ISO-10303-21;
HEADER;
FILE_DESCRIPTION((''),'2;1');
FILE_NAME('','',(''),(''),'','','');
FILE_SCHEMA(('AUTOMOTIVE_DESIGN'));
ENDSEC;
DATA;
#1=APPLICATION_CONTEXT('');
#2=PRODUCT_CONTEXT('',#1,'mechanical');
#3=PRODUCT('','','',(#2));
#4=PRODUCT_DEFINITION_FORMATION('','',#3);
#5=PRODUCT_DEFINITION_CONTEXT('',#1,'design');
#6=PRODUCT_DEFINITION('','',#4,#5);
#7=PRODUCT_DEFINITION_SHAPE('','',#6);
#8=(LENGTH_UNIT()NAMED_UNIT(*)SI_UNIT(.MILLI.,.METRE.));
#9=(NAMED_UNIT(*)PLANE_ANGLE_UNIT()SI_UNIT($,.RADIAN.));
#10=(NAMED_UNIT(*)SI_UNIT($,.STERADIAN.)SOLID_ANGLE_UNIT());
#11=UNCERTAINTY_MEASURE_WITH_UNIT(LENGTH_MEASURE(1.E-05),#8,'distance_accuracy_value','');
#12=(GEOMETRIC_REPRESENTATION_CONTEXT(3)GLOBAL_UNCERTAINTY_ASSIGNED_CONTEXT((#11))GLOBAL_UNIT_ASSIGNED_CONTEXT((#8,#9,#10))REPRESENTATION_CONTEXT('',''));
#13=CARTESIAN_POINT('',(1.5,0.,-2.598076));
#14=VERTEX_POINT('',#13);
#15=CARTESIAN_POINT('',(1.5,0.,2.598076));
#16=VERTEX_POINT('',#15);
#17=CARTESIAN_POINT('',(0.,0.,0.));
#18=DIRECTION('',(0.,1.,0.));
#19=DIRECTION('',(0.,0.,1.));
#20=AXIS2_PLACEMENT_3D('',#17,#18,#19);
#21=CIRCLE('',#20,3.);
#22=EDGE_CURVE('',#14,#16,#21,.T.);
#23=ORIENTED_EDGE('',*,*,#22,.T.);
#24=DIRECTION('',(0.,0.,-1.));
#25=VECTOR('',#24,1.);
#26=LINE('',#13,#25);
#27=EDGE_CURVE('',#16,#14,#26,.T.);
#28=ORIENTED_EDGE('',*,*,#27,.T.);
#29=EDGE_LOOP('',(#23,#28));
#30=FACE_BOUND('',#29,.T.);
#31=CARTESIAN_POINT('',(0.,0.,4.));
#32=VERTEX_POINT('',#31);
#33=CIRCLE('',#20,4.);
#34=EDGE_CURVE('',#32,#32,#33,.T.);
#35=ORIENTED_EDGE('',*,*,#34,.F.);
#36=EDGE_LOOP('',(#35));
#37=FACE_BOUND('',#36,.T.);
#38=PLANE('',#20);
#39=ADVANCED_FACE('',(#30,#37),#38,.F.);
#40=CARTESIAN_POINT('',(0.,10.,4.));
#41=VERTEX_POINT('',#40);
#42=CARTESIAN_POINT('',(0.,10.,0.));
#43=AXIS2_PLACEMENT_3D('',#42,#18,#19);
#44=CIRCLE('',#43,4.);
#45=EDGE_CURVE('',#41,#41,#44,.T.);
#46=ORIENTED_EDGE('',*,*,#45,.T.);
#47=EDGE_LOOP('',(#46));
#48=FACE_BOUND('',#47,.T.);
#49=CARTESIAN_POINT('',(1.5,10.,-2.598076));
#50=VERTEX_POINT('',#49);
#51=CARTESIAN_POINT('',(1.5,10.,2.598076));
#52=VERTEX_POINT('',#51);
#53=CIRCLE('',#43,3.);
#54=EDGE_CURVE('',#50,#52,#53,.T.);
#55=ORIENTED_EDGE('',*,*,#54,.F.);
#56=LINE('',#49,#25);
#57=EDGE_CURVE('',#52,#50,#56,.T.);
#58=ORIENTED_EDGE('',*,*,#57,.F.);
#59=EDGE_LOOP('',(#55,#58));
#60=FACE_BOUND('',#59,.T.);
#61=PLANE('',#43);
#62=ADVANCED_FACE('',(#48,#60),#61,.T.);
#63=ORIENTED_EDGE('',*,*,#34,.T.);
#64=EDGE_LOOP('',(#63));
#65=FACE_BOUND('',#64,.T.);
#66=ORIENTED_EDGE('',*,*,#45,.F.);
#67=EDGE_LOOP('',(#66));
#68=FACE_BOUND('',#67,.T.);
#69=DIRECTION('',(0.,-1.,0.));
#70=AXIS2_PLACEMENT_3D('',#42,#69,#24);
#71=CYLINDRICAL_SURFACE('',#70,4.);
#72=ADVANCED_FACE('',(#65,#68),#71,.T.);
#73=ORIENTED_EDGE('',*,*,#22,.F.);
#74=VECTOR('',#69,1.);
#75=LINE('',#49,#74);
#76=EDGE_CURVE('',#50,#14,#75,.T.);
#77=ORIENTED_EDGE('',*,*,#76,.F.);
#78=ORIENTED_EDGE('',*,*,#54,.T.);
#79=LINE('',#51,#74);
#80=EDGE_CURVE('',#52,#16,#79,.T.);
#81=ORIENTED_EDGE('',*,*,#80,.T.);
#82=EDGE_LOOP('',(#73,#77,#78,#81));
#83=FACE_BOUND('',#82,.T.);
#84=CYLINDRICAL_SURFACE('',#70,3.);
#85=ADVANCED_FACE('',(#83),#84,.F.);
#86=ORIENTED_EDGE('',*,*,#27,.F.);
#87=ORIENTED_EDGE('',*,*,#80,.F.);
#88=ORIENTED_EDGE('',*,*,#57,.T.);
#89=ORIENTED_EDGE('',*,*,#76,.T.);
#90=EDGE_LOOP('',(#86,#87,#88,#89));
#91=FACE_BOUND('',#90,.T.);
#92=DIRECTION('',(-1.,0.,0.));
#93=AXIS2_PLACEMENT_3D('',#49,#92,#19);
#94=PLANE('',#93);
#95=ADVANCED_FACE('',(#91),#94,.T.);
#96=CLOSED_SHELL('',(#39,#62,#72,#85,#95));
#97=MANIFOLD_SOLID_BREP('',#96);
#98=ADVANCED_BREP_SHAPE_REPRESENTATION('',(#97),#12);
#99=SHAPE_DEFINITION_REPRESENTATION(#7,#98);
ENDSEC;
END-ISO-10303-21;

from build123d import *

# Parameters (mm, degrees)
SKETCH1_R           = 4
BOSS_EXTRUDE1_DEPTH = 10


with BuildPart() as part:
    # Sketch1 → Boss-Extrude1 (new body)
    with BuildSketch(Plane(origin=(0, 0, 0), x_dir=(1, 0, 0), z_dir=(0, 1, 0))):
        with Locations(Location((0, 0, 0), (0, 0, 270))):
            Circle(SKETCH1_R)
        with BuildLine():
            Line((1.5, 2.598076211), (1.5, -2.598076211))
            ThreePointArc((1.5, -2.598076211), (-3, 0), (1.5, 2.598076211))
        make_face(mode=Mode.SUBTRACT)
    extrude(amount=BOSS_EXTRUDE1_DEPTH)


solid = part.part
